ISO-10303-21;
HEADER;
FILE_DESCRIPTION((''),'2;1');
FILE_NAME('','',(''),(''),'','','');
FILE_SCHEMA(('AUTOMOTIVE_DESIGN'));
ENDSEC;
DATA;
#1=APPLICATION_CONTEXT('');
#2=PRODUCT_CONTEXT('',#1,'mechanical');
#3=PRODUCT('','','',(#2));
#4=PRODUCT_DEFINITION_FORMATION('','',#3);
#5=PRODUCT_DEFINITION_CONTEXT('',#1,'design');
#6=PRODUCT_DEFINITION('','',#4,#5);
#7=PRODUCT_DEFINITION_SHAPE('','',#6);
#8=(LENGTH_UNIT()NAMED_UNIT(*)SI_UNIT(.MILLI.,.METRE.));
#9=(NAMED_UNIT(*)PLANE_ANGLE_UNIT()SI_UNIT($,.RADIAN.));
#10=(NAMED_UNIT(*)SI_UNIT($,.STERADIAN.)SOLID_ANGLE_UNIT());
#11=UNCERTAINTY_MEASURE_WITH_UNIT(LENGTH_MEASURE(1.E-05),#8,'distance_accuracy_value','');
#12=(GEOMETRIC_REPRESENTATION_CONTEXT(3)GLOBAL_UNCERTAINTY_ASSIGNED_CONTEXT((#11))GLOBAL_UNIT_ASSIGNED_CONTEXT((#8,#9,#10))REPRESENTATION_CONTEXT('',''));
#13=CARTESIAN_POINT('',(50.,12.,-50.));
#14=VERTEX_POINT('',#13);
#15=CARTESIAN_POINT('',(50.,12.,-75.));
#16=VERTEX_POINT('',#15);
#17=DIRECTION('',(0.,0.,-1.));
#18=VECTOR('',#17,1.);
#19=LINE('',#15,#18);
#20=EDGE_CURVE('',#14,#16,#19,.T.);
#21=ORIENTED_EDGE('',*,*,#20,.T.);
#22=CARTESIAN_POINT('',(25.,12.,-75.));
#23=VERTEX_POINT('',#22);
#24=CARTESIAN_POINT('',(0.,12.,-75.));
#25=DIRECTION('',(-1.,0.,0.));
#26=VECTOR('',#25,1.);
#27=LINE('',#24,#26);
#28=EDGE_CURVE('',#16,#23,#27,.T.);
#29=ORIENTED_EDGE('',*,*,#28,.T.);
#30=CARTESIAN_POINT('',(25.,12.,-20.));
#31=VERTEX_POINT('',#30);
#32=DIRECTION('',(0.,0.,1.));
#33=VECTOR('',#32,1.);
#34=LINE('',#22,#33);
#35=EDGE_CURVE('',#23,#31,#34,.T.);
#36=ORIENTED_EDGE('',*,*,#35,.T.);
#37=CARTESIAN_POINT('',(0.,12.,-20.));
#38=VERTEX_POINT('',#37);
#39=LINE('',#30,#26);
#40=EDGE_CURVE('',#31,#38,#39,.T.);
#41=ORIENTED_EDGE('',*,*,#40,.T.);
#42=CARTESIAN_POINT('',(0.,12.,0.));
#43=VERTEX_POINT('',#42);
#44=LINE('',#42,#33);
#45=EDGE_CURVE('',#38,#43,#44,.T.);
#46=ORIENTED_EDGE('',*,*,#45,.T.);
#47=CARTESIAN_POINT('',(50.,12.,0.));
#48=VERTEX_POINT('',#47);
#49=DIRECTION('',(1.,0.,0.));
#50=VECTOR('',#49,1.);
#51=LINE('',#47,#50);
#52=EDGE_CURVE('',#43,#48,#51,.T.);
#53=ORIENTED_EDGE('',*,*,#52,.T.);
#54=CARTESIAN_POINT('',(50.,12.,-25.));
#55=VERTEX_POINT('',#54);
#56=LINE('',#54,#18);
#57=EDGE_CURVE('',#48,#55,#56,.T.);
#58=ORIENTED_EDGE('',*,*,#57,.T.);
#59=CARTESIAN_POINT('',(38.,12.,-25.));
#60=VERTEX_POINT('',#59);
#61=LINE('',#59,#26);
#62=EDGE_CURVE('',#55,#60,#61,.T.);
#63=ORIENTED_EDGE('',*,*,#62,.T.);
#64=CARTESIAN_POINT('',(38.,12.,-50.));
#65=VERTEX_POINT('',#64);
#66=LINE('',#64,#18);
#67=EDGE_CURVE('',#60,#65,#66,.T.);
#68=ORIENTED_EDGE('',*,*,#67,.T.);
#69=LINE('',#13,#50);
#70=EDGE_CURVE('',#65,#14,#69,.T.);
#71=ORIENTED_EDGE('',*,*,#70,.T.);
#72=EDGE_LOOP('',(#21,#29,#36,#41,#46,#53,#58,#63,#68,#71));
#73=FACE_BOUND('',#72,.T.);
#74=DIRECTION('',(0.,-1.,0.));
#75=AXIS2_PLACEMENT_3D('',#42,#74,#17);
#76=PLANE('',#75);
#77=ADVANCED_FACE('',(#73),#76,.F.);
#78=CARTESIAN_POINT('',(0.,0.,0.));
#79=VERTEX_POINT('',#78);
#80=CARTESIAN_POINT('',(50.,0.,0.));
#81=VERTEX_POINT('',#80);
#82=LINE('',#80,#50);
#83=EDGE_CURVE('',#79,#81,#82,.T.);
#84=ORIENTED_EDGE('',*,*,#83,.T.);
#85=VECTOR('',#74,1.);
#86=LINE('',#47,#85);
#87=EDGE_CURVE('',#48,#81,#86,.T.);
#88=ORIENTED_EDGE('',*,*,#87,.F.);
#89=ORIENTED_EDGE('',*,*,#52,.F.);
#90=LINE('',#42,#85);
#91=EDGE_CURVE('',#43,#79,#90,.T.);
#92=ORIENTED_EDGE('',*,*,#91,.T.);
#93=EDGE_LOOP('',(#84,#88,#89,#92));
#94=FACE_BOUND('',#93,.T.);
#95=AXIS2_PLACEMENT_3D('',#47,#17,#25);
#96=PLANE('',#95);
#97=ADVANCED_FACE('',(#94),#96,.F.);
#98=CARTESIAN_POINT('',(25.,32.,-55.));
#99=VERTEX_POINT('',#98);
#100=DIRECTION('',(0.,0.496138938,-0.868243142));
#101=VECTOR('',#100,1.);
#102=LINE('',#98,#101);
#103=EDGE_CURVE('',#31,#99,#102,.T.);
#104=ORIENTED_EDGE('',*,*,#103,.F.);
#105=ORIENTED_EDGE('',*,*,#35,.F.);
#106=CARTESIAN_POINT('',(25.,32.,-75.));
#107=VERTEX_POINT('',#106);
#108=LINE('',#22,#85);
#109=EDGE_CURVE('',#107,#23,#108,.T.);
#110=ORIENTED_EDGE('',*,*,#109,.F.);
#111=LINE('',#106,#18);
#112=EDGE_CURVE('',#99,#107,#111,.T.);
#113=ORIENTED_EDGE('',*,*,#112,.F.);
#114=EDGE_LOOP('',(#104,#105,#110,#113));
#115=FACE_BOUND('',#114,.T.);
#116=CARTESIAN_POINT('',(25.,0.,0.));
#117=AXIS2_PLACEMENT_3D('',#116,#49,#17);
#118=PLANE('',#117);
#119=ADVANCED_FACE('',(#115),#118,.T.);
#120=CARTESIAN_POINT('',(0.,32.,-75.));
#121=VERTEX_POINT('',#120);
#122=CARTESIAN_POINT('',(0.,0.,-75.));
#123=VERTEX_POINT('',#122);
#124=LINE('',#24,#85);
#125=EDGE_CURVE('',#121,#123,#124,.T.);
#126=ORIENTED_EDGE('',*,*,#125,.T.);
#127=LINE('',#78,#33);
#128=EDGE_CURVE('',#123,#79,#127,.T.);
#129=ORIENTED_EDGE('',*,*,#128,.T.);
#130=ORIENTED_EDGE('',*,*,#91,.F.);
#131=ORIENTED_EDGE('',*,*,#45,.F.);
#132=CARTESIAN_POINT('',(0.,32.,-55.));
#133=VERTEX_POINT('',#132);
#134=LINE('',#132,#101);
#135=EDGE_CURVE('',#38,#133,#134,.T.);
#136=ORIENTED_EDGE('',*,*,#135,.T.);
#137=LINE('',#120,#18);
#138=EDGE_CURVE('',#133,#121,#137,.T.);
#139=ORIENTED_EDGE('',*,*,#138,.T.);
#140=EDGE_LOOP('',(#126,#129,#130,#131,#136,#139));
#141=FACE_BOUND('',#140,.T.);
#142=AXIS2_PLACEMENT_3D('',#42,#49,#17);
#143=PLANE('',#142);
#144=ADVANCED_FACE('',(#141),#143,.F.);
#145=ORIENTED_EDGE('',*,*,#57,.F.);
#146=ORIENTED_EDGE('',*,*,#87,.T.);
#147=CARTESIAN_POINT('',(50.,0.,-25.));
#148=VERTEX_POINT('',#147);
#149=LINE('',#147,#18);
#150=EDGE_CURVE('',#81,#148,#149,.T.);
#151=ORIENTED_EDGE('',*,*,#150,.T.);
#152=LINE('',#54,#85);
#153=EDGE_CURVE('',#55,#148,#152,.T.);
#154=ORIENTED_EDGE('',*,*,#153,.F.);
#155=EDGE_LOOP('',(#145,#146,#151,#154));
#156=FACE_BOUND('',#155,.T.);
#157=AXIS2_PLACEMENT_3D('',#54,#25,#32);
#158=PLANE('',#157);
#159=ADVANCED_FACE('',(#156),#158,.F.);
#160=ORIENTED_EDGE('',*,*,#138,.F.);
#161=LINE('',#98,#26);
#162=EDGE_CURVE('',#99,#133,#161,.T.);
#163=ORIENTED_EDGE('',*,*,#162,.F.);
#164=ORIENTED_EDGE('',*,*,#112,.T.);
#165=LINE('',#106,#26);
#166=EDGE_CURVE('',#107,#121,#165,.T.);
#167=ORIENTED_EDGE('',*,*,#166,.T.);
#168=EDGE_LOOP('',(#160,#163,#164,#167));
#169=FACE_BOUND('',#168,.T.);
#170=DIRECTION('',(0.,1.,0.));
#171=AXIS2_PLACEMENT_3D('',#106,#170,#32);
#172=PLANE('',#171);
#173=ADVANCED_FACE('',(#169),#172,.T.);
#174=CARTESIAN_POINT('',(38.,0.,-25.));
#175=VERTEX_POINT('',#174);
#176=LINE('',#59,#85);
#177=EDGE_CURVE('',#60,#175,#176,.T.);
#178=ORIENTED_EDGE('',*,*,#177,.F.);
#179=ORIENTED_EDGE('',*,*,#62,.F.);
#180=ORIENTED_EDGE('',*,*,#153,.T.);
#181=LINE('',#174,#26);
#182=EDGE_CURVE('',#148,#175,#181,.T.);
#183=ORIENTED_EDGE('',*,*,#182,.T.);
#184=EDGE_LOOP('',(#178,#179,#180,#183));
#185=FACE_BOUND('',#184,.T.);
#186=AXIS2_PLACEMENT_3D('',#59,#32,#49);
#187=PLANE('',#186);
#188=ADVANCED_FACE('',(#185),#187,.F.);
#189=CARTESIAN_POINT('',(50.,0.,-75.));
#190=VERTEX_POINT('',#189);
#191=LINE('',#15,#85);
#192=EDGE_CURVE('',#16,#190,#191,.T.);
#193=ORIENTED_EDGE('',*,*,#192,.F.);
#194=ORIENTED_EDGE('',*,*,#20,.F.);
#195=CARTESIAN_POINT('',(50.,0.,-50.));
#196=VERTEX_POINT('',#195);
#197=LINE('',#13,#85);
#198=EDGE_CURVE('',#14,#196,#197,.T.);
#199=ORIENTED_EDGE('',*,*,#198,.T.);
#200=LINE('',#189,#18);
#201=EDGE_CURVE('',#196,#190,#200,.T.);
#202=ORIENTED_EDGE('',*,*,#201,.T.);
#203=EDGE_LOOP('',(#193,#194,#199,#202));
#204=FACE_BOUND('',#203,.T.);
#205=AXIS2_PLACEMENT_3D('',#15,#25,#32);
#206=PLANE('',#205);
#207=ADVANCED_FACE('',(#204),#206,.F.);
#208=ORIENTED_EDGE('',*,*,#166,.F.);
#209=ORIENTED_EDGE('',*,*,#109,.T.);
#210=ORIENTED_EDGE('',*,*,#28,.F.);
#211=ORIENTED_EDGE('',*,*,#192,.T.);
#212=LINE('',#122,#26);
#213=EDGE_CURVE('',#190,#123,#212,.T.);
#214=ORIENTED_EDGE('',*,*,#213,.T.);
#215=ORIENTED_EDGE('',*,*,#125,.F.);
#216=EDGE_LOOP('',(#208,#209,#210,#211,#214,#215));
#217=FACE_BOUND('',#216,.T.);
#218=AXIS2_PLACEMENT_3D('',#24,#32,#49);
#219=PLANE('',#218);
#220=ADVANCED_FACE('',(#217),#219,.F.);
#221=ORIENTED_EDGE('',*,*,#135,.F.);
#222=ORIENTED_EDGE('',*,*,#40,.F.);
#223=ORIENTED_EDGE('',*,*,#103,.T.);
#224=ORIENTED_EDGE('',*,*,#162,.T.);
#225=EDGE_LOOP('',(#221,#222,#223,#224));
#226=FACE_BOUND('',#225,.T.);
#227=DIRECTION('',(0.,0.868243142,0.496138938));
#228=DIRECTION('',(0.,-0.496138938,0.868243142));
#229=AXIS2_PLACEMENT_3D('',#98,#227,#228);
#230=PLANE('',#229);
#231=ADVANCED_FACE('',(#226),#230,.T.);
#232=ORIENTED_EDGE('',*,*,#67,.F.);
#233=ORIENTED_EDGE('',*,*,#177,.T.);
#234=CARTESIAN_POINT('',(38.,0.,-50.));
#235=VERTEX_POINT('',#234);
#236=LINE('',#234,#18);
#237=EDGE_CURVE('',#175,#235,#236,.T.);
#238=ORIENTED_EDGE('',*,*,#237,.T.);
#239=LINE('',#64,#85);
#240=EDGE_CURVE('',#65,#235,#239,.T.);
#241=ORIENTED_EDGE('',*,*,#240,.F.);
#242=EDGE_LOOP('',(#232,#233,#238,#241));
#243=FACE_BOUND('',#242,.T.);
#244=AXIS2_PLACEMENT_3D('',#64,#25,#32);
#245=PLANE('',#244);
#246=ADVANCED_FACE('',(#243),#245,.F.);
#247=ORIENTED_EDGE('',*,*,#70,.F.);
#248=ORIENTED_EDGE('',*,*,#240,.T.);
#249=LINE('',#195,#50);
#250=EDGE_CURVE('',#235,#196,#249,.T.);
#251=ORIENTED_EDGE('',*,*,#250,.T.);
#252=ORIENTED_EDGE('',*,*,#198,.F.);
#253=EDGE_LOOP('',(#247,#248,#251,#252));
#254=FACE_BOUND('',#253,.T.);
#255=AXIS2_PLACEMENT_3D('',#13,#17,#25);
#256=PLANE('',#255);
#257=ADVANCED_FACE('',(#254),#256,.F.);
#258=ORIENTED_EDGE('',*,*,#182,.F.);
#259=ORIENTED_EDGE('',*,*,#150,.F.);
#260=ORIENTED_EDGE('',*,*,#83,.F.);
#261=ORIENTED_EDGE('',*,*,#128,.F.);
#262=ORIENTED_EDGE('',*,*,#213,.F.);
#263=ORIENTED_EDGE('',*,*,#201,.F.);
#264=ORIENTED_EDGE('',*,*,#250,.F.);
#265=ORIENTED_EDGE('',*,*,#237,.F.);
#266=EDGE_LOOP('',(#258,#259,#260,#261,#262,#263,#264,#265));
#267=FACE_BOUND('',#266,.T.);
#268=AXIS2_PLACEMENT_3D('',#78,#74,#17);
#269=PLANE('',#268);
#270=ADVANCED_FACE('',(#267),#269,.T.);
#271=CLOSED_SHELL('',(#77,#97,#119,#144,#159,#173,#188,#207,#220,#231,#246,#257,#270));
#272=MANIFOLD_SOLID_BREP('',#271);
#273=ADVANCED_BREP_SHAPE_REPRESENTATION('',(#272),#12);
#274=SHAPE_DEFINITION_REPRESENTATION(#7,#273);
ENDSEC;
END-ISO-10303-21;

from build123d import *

# Parameters (mm, degrees)
BOSS_EXTRUDE1_DEPTH = 12
BOSS_EXTRUDE3_DEPTH = 25


with BuildPart() as part:
    # Sketch1 → Boss-Extrude1 (new body)
    with BuildSketch(Plane(origin=(0, 0, 0), x_dir=(1, 0, 0), z_dir=(0, 1, 0))):
        Polygon((0, 0), (0, 75), (50, 75), (50, 50), (38, 50), (38, 25), (50, 25), (50, 0), align=None)
    extrude(amount=BOSS_EXTRUDE1_DEPTH)

    # Sketch6 → Boss-Extrude3 (add)
    with BuildSketch(Plane.ZY):
        Polygon((-55, 32), (-20, 12), (-55, 12), (-75, 12), (-75, 32), align=None)
    extrude(amount=-BOSS_EXTRUDE3_DEPTH)


solid = part.part
